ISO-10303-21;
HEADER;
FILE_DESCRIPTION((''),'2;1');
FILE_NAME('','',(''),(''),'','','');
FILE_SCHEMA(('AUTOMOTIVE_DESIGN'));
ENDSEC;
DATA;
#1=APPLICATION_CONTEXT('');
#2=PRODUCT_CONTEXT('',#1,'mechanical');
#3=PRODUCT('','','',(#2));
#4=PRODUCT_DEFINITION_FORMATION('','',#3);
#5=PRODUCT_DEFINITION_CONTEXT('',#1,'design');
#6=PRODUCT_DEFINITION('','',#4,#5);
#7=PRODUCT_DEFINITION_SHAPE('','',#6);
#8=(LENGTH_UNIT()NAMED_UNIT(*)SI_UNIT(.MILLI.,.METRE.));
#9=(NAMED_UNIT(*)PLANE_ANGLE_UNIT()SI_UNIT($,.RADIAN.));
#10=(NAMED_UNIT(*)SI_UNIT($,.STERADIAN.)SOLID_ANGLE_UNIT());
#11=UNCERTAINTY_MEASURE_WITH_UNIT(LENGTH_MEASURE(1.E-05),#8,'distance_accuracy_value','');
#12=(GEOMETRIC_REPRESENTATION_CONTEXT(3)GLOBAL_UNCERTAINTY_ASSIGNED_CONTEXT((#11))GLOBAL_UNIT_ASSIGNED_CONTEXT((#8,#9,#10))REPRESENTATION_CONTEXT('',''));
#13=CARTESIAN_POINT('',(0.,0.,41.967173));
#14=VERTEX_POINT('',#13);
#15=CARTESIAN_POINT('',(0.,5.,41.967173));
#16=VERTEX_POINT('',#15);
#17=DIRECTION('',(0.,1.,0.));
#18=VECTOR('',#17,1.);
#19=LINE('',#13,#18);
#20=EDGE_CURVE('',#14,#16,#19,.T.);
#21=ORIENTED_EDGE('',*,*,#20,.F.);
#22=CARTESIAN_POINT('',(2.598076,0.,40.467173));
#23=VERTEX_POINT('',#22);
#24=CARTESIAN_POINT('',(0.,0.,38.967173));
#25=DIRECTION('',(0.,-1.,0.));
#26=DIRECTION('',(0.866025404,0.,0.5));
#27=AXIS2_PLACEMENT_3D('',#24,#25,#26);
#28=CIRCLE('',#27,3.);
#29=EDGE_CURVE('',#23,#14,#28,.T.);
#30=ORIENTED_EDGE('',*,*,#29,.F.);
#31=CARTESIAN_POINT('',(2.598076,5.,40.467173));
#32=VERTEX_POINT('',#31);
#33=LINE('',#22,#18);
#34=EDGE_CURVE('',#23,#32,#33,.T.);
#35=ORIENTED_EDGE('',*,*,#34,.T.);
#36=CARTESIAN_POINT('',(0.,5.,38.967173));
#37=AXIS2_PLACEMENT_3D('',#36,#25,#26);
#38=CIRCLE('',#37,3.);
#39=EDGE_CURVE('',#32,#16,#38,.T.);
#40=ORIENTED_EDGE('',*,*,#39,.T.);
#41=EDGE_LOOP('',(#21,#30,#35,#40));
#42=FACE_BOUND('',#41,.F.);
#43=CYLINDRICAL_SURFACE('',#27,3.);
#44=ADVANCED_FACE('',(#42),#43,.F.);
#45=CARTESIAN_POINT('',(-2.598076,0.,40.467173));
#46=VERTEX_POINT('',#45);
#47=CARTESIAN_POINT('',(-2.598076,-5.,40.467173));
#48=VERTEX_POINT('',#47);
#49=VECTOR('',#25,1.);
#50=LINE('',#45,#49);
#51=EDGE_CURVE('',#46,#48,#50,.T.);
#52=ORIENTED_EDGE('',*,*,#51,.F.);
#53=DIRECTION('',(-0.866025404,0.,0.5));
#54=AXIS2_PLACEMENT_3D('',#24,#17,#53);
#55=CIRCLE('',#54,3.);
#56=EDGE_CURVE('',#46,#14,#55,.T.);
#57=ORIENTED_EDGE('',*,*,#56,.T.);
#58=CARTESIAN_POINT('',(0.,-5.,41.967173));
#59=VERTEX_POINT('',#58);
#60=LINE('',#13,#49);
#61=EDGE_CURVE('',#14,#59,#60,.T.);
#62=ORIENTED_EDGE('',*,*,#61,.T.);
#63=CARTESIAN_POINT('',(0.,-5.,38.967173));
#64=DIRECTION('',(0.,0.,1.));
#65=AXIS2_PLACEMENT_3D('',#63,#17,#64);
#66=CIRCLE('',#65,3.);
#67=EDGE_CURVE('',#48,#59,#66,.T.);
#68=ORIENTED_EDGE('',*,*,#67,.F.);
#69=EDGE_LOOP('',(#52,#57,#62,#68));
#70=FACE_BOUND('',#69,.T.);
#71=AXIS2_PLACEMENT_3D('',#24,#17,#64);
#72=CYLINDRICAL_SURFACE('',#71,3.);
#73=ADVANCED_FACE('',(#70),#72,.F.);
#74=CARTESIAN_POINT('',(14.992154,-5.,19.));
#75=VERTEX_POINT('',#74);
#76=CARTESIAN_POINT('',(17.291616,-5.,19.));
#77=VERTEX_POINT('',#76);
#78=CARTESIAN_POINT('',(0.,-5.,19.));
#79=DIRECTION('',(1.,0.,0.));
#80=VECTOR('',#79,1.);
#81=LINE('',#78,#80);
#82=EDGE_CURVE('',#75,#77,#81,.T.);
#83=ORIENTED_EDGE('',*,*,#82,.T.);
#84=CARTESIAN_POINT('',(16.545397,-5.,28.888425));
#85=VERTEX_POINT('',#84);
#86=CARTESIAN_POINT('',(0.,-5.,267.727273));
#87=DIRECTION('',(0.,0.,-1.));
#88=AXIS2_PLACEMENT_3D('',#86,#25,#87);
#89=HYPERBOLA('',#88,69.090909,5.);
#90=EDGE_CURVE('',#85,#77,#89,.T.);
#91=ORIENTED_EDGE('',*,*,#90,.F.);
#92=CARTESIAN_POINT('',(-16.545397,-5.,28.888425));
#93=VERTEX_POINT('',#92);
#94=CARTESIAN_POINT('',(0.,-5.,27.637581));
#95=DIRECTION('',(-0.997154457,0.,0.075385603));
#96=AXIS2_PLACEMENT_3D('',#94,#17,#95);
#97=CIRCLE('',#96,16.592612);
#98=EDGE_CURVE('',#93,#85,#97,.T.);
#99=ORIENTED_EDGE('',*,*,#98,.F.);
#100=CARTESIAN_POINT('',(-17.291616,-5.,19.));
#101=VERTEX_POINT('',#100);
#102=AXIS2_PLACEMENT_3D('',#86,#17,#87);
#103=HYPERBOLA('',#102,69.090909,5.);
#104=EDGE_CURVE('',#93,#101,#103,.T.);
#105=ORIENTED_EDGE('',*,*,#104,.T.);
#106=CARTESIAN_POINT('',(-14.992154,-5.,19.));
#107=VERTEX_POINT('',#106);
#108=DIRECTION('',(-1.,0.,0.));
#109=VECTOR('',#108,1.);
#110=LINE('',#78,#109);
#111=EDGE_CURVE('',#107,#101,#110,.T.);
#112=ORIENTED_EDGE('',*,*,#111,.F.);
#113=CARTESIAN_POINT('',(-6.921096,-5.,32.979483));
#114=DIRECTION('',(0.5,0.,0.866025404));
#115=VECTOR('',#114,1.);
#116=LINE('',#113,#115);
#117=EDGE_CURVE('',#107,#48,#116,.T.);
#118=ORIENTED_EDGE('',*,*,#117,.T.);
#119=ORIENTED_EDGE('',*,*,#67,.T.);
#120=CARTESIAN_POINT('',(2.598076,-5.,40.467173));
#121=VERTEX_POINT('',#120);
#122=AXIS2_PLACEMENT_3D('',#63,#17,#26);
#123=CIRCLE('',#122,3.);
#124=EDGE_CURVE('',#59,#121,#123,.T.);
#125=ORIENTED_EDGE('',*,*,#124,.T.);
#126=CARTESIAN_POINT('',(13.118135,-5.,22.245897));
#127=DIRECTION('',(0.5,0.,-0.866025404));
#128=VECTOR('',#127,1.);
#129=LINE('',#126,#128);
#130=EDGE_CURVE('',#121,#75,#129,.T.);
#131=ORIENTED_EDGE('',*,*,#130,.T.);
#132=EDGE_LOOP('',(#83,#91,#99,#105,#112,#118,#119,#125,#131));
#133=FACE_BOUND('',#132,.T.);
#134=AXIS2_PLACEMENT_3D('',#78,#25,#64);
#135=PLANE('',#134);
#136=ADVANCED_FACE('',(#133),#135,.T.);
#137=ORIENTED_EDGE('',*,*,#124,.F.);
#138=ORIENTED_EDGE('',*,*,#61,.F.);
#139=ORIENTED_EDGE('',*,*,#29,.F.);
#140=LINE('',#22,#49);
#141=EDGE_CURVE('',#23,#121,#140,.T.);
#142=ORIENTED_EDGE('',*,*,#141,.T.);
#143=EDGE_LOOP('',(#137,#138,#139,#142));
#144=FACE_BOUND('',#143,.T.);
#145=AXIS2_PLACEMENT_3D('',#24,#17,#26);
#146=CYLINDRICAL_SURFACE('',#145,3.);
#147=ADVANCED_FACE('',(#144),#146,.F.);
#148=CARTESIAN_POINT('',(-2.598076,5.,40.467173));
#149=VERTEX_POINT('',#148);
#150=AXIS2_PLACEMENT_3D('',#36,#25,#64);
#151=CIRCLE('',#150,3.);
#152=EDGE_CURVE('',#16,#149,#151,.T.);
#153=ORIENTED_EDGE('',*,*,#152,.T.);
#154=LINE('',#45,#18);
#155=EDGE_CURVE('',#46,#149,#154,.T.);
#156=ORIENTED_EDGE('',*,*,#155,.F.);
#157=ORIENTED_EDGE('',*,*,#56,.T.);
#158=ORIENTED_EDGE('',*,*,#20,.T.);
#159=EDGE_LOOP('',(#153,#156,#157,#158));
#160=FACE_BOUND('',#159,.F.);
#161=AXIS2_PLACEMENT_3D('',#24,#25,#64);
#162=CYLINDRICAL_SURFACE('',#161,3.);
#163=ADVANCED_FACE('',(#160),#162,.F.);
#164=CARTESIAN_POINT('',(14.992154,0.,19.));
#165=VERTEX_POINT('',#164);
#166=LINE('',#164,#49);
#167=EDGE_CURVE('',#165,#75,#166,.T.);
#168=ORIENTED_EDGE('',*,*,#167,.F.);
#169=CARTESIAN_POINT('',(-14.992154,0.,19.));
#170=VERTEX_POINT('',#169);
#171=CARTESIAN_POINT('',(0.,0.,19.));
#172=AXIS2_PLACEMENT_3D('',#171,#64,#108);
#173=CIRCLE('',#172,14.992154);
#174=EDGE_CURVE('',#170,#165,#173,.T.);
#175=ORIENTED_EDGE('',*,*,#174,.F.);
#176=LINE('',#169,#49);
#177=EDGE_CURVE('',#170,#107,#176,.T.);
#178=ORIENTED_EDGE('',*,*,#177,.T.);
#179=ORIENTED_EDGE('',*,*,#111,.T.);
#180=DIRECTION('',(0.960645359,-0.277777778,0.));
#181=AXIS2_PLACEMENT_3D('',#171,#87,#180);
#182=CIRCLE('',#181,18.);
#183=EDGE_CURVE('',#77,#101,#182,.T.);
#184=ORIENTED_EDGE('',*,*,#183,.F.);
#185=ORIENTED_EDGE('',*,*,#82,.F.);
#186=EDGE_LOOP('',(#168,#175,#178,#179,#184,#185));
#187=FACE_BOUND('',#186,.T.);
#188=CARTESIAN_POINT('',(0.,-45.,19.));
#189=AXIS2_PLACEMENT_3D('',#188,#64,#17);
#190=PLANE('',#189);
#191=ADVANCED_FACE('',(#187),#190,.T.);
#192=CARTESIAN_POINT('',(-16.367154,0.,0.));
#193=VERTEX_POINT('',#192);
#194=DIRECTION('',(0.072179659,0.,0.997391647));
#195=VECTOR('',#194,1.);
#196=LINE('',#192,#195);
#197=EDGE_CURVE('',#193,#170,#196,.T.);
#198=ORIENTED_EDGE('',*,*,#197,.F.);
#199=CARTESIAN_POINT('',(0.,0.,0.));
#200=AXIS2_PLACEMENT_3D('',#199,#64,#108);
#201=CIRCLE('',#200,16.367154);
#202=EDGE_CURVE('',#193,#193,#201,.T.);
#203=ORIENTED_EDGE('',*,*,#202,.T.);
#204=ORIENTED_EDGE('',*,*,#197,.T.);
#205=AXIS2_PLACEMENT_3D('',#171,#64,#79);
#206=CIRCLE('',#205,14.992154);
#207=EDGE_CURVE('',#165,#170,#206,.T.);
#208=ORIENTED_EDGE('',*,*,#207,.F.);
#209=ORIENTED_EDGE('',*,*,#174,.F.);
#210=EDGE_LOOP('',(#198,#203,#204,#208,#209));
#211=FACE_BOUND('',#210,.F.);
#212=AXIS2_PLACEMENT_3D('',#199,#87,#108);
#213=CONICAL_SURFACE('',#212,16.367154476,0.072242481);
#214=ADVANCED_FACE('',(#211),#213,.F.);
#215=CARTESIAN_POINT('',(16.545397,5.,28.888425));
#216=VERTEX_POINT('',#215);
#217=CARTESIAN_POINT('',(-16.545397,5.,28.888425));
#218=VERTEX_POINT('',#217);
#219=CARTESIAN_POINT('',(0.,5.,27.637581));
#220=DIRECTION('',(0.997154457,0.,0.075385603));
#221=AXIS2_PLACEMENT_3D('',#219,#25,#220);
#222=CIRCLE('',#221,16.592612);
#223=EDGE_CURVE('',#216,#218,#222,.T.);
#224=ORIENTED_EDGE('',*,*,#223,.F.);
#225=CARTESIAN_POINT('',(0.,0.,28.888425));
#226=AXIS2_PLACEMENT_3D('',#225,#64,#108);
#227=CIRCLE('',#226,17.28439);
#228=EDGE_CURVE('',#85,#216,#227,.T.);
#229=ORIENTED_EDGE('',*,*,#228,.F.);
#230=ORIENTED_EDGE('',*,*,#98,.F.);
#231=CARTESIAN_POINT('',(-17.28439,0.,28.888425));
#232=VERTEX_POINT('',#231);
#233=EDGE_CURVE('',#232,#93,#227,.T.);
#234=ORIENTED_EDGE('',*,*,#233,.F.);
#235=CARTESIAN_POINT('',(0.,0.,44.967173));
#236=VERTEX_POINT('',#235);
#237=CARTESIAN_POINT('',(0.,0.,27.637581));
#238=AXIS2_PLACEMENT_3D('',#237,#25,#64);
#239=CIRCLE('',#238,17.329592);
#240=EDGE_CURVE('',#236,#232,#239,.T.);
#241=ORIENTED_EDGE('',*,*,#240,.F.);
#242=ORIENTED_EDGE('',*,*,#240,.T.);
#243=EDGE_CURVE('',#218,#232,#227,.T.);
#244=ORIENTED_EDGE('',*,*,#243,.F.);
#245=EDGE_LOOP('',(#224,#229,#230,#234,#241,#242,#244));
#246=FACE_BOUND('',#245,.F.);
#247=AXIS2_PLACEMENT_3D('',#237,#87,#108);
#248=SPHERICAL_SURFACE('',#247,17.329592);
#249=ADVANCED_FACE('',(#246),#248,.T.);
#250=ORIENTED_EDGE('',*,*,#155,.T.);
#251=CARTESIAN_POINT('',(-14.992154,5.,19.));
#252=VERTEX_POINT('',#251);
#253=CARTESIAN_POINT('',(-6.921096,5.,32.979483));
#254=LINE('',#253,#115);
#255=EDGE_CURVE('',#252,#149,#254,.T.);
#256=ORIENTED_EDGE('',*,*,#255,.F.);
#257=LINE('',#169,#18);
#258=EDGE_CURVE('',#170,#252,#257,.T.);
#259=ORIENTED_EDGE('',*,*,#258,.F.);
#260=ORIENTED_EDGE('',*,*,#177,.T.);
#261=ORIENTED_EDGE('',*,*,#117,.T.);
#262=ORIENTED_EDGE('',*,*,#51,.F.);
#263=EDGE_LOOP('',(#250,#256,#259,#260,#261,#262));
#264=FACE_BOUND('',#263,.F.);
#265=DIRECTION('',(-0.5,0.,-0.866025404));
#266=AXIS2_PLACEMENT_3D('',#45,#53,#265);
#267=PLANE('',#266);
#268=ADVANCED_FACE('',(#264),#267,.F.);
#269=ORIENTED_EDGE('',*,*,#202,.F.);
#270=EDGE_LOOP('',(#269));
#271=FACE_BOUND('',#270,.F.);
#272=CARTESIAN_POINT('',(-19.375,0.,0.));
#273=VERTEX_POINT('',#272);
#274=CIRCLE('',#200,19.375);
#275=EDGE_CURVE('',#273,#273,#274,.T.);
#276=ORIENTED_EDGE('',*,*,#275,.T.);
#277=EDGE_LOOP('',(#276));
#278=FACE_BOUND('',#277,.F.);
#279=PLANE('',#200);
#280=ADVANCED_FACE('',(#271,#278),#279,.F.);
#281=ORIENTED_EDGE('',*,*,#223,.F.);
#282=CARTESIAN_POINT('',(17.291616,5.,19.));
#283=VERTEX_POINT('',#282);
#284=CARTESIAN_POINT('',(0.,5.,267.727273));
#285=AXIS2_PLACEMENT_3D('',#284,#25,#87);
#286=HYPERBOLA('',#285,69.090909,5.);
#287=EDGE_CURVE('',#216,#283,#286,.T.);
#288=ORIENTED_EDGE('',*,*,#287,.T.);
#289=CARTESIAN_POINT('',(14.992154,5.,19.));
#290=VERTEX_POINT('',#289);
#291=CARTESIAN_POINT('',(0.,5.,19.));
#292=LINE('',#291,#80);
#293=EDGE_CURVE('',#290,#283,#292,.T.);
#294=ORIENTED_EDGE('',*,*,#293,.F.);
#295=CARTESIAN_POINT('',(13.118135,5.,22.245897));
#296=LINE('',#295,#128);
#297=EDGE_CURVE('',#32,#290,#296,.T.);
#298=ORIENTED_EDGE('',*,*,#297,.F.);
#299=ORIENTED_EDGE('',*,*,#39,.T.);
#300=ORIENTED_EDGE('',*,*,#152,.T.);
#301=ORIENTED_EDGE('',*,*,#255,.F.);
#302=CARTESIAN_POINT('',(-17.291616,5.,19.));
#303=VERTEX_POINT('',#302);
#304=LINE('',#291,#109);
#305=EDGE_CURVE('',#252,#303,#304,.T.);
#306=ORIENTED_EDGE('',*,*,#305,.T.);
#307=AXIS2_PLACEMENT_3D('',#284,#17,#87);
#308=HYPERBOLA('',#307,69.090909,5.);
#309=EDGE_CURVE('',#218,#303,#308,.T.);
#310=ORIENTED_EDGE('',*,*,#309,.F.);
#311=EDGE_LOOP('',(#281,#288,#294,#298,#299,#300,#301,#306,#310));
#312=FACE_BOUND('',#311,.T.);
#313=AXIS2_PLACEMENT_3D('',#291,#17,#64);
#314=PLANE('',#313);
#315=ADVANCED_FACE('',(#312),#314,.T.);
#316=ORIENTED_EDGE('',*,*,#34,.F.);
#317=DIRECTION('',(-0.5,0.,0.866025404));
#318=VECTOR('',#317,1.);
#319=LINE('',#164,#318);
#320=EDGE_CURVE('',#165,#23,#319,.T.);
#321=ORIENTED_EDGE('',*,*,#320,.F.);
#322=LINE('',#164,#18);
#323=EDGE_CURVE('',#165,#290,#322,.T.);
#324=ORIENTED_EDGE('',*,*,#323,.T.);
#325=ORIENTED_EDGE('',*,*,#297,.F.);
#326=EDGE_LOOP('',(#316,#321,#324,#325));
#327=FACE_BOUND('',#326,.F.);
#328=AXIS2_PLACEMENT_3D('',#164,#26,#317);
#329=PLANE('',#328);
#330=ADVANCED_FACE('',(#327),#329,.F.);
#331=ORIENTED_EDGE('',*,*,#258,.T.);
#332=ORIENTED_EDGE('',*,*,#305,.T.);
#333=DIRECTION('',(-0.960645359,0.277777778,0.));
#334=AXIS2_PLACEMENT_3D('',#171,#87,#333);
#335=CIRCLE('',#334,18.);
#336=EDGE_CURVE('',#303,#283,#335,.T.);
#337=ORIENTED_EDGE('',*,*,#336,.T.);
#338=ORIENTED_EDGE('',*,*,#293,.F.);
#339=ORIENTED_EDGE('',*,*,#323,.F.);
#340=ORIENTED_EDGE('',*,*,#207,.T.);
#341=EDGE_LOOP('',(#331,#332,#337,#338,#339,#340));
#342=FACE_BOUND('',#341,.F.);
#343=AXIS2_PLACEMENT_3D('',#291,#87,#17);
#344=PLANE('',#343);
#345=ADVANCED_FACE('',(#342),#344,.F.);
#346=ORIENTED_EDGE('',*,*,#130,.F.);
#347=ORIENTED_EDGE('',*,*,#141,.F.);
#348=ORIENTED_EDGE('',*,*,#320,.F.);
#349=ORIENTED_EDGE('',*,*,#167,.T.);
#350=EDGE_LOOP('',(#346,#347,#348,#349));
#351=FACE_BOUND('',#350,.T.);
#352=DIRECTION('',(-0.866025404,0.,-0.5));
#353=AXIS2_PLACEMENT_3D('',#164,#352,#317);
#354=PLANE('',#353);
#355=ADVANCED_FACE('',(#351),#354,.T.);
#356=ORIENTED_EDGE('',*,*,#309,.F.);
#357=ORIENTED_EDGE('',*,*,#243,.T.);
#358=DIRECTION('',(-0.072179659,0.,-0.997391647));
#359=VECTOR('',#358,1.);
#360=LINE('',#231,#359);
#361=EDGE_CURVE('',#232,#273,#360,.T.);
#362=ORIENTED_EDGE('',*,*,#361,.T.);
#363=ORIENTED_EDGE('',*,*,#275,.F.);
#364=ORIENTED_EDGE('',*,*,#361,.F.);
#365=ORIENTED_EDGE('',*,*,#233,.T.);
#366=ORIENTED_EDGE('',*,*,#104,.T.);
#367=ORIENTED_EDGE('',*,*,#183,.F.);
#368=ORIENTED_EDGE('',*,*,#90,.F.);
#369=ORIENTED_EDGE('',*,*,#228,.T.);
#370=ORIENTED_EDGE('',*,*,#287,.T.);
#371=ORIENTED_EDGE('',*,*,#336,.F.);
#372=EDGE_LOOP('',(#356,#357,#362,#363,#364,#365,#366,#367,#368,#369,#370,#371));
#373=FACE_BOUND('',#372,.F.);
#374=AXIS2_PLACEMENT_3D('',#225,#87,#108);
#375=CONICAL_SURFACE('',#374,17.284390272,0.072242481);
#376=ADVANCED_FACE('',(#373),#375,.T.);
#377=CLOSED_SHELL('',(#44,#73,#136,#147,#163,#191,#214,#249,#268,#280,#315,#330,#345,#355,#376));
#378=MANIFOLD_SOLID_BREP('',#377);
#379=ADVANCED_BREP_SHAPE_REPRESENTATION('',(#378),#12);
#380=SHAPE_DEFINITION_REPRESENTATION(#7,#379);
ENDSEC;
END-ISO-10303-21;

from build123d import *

# Parameters (mm, degrees)
F2_W          = 40
F2_H          = 25.9671732676
F3_DEPTH      = 19.376
F3_DEPTH_BACK = 19.376
F4_DEPTH      = 19.376
F4_DEPTH_BACK = 19.376


with BuildPart() as f1:
    # F0 (on Front) → F1 (revolve)
    with BuildSketch(Plane.XZ):
        with BuildLine():
            Line((-18, 19), (-19.375, 0))
            Line((-19.375, 0), (-16.3671544762, 0))
            Line((-16.3671544762, 0), (-14.9921544762, 19))
            Line((-14.9921544762, 19), (-2.5980762114, 40.4671732676))
            ThreePointArc((-2.5980762114, 40.4671732676), (-1.5, 41.565249479), (0, 41.9671732676))
            Line((0, 41.9671732676), (0, 44.9671732676))
            ThreePointArc((0, 44.9671732676), (-11.8033499729, 40.3259888916), (-17.2843902722, 28.8884253296))
            Line((-17.2843902722, 28.8884253296), (-18, 19))
        make_face()
    revolve(axis=Axis((0, 0, 30.4835866338), (0, 0, 1)))

    # F2 (on Right) → F3 (cut, two sides)
    with BuildSketch(Plane.YZ) as f3_sk:
        with Locations((-25, 31.9835866338)):
            Rectangle(F2_W, F2_H)
        with Locations((25, 31.9835866338)):
            Rectangle(F2_W, F2_H)
    extrude(amount=F3_DEPTH, mode=Mode.SUBTRACT)
    extrude(f3_sk.sketch, amount=-F3_DEPTH_BACK, mode=Mode.SUBTRACT)

    # F0 (on Front) → F4 (cut, two sides)
    with BuildSketch(Plane.XZ) as f4_sk:
        with BuildLine():
            Line((-2.5980762114, 40.4671732676), (-14.9921544762, 19))
            Line((-14.9921544762, 19), (0, 19))
            Line((0, 19), (0, 41.9671732676))
            ThreePointArc((0, 41.9671732676), (-1.5, 41.565249479), (-2.5980762114, 40.4671732676))
        make_face()
        with BuildLine():
            Line((0, 41.9671732676), (0, 19))
            Line((0, 19), (14.9921544762, 19))
            Line((14.9921544762, 19), (2.5980762114, 40.4671732676))
            ThreePointArc((2.5980762114, 40.4671732676), (1.5, 41.565249479), (0, 41.9671732676))
        make_face()
    extrude(amount=-F4_DEPTH, mode=Mode.SUBTRACT)
    extrude(f4_sk.sketch, amount=F4_DEPTH_BACK, mode=Mode.SUBTRACT)


solid = f1.part
